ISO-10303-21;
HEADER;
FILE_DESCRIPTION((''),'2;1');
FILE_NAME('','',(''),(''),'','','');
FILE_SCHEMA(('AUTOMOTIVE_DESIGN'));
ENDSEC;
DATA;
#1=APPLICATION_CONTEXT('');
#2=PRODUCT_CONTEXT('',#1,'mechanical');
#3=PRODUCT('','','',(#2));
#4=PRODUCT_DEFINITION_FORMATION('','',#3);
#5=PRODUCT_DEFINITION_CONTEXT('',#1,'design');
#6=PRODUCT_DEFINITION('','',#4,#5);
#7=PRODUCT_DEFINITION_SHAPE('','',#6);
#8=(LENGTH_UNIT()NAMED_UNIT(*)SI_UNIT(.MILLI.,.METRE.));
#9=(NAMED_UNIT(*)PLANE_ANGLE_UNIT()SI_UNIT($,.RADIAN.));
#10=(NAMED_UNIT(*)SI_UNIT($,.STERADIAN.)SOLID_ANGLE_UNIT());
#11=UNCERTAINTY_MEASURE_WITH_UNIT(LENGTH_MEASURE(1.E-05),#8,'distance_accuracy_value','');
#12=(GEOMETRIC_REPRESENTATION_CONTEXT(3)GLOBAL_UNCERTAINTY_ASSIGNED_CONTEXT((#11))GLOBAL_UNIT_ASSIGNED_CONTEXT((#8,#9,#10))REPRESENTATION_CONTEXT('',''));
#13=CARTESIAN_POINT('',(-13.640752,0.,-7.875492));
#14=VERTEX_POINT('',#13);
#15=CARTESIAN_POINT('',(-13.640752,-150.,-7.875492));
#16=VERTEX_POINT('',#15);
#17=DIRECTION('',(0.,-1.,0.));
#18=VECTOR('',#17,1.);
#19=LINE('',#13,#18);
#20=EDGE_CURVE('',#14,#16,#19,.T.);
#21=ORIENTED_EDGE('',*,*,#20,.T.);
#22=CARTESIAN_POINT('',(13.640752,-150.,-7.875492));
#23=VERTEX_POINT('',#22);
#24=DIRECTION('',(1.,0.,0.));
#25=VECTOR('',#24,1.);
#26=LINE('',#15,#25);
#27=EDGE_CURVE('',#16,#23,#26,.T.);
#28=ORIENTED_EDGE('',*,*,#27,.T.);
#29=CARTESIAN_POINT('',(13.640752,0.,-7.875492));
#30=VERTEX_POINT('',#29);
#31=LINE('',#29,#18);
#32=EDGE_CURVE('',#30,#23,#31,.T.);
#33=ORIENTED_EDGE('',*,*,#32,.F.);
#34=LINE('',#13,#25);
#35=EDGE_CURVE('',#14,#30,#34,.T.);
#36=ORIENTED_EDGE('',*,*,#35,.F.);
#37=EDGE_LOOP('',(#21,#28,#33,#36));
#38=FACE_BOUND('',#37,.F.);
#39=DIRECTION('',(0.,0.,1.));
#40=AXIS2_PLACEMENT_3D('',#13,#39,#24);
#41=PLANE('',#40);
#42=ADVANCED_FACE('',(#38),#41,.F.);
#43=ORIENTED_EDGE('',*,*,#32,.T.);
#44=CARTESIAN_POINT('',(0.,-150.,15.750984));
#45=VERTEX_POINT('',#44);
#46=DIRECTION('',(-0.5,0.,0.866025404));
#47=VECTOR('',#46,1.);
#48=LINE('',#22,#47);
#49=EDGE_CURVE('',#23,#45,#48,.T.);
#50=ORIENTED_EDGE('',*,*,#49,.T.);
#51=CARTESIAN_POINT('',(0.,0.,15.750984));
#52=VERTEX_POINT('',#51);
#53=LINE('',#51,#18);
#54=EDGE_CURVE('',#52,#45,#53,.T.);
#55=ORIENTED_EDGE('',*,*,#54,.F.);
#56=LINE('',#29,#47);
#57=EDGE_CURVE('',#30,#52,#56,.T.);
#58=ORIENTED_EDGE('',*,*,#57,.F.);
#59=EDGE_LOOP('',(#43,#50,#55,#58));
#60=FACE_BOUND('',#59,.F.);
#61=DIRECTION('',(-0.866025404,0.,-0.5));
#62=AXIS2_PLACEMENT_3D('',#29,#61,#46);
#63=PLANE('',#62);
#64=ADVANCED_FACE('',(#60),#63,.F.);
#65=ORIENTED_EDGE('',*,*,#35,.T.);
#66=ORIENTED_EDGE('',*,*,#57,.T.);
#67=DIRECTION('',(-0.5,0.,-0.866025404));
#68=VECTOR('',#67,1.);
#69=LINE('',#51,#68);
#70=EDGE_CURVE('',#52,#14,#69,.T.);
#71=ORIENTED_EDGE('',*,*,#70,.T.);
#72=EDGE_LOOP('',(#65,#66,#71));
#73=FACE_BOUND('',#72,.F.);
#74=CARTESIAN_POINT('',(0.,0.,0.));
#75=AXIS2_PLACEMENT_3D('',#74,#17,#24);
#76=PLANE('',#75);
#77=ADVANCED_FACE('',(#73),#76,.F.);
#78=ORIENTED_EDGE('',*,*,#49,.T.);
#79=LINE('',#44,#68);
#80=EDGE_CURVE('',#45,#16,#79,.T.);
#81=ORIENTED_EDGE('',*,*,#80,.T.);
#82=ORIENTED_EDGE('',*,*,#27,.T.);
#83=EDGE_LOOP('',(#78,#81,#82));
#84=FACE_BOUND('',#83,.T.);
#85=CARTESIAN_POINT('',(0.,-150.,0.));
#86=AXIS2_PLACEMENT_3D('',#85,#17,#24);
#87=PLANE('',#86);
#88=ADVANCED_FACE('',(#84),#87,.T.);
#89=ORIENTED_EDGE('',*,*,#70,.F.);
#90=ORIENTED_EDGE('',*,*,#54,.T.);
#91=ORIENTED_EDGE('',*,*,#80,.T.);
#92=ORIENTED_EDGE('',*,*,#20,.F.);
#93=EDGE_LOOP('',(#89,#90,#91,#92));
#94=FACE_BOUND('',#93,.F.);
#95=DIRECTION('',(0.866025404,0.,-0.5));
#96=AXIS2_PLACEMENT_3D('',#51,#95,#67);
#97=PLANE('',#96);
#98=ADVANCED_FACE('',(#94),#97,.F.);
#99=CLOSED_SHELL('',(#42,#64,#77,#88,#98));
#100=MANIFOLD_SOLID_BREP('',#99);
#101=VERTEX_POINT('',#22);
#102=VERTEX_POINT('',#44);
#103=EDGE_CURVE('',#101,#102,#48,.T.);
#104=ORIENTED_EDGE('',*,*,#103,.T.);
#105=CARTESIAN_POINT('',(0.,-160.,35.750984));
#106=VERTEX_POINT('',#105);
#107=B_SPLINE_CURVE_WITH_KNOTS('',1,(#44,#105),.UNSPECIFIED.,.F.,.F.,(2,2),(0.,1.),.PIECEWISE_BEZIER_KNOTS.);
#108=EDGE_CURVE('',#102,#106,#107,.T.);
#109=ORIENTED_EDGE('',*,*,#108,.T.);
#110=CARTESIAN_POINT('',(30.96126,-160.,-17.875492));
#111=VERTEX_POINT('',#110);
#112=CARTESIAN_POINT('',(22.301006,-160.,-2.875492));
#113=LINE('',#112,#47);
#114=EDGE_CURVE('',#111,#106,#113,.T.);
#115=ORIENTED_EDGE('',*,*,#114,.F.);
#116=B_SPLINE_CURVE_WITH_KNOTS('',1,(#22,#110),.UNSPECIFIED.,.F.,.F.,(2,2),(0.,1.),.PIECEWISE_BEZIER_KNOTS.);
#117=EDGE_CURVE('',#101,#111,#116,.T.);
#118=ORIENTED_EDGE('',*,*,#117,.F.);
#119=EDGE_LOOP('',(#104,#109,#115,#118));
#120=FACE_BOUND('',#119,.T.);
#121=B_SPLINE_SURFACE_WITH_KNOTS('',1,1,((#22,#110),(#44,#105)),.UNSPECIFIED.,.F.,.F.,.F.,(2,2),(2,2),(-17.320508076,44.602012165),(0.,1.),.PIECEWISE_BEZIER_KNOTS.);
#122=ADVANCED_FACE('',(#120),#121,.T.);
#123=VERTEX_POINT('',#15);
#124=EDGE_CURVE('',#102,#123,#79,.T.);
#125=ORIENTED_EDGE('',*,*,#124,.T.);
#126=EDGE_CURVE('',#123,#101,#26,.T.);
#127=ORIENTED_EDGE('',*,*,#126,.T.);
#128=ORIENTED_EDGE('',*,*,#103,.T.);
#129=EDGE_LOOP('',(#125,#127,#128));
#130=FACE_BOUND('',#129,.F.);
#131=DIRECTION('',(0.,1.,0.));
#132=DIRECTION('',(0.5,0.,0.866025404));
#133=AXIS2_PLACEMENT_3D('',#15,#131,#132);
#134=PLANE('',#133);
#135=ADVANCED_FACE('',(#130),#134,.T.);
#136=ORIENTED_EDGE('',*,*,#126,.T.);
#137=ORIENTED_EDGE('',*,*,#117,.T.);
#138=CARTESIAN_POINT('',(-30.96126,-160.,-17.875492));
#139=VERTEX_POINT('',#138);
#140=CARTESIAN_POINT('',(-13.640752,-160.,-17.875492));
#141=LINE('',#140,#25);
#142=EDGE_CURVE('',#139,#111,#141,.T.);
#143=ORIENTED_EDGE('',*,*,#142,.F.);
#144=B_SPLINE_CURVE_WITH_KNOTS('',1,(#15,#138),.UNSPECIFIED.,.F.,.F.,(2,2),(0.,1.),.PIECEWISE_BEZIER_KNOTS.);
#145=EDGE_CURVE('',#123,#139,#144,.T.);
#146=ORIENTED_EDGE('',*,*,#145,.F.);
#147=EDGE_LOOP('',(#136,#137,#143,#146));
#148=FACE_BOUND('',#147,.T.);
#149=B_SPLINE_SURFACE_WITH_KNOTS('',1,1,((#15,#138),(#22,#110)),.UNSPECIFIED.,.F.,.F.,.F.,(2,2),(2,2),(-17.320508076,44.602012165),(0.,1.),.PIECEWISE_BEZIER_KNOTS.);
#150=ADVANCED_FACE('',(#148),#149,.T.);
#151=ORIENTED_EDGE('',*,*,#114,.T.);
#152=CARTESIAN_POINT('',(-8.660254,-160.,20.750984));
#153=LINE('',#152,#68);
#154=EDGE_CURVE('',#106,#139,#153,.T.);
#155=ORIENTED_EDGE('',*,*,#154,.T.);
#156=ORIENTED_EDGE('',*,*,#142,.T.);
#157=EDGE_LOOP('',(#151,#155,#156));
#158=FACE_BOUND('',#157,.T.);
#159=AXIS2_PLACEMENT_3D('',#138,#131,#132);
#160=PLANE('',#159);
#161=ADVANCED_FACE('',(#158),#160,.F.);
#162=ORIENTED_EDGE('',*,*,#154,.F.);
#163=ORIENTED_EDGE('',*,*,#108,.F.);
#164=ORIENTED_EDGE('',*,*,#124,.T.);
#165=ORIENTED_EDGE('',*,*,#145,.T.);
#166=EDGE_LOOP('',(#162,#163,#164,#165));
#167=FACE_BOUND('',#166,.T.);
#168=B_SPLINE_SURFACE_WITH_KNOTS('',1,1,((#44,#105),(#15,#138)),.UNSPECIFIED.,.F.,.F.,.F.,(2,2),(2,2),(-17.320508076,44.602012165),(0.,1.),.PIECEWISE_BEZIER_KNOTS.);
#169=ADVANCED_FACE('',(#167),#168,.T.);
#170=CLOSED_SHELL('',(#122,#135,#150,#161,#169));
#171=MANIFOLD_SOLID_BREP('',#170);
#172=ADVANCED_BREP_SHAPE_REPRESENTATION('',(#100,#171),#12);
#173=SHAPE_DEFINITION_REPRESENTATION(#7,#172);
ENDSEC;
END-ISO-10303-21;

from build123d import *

# Parameters (mm, degrees)
F1_DEPTH = 150
F2_DEPTH = 10
F2_TAPER = -45


with BuildPart() as f1:
    # F0 (on Front) → F1 (new body)
    with BuildSketch(Plane.XZ):
        Polygon((13.6407520447, -7.875491865), (0, 15.75098373), (-13.6407520447, -7.875491865), align=None)
    extrude(amount=F1_DEPTH)


with BuildPart() as f2:
    # F1_face (on face) → F2 (new body)
    with BuildSketch(Plane.XZ.offset(150)):
        Polygon((-13.6407520447, -7.875491865), (13.6407520447, -7.875491865), (0, 15.75098373), align=None)
    extrude(amount=F2_DEPTH, taper=F2_TAPER)


solid = Compound([f1.part, f2.part])
